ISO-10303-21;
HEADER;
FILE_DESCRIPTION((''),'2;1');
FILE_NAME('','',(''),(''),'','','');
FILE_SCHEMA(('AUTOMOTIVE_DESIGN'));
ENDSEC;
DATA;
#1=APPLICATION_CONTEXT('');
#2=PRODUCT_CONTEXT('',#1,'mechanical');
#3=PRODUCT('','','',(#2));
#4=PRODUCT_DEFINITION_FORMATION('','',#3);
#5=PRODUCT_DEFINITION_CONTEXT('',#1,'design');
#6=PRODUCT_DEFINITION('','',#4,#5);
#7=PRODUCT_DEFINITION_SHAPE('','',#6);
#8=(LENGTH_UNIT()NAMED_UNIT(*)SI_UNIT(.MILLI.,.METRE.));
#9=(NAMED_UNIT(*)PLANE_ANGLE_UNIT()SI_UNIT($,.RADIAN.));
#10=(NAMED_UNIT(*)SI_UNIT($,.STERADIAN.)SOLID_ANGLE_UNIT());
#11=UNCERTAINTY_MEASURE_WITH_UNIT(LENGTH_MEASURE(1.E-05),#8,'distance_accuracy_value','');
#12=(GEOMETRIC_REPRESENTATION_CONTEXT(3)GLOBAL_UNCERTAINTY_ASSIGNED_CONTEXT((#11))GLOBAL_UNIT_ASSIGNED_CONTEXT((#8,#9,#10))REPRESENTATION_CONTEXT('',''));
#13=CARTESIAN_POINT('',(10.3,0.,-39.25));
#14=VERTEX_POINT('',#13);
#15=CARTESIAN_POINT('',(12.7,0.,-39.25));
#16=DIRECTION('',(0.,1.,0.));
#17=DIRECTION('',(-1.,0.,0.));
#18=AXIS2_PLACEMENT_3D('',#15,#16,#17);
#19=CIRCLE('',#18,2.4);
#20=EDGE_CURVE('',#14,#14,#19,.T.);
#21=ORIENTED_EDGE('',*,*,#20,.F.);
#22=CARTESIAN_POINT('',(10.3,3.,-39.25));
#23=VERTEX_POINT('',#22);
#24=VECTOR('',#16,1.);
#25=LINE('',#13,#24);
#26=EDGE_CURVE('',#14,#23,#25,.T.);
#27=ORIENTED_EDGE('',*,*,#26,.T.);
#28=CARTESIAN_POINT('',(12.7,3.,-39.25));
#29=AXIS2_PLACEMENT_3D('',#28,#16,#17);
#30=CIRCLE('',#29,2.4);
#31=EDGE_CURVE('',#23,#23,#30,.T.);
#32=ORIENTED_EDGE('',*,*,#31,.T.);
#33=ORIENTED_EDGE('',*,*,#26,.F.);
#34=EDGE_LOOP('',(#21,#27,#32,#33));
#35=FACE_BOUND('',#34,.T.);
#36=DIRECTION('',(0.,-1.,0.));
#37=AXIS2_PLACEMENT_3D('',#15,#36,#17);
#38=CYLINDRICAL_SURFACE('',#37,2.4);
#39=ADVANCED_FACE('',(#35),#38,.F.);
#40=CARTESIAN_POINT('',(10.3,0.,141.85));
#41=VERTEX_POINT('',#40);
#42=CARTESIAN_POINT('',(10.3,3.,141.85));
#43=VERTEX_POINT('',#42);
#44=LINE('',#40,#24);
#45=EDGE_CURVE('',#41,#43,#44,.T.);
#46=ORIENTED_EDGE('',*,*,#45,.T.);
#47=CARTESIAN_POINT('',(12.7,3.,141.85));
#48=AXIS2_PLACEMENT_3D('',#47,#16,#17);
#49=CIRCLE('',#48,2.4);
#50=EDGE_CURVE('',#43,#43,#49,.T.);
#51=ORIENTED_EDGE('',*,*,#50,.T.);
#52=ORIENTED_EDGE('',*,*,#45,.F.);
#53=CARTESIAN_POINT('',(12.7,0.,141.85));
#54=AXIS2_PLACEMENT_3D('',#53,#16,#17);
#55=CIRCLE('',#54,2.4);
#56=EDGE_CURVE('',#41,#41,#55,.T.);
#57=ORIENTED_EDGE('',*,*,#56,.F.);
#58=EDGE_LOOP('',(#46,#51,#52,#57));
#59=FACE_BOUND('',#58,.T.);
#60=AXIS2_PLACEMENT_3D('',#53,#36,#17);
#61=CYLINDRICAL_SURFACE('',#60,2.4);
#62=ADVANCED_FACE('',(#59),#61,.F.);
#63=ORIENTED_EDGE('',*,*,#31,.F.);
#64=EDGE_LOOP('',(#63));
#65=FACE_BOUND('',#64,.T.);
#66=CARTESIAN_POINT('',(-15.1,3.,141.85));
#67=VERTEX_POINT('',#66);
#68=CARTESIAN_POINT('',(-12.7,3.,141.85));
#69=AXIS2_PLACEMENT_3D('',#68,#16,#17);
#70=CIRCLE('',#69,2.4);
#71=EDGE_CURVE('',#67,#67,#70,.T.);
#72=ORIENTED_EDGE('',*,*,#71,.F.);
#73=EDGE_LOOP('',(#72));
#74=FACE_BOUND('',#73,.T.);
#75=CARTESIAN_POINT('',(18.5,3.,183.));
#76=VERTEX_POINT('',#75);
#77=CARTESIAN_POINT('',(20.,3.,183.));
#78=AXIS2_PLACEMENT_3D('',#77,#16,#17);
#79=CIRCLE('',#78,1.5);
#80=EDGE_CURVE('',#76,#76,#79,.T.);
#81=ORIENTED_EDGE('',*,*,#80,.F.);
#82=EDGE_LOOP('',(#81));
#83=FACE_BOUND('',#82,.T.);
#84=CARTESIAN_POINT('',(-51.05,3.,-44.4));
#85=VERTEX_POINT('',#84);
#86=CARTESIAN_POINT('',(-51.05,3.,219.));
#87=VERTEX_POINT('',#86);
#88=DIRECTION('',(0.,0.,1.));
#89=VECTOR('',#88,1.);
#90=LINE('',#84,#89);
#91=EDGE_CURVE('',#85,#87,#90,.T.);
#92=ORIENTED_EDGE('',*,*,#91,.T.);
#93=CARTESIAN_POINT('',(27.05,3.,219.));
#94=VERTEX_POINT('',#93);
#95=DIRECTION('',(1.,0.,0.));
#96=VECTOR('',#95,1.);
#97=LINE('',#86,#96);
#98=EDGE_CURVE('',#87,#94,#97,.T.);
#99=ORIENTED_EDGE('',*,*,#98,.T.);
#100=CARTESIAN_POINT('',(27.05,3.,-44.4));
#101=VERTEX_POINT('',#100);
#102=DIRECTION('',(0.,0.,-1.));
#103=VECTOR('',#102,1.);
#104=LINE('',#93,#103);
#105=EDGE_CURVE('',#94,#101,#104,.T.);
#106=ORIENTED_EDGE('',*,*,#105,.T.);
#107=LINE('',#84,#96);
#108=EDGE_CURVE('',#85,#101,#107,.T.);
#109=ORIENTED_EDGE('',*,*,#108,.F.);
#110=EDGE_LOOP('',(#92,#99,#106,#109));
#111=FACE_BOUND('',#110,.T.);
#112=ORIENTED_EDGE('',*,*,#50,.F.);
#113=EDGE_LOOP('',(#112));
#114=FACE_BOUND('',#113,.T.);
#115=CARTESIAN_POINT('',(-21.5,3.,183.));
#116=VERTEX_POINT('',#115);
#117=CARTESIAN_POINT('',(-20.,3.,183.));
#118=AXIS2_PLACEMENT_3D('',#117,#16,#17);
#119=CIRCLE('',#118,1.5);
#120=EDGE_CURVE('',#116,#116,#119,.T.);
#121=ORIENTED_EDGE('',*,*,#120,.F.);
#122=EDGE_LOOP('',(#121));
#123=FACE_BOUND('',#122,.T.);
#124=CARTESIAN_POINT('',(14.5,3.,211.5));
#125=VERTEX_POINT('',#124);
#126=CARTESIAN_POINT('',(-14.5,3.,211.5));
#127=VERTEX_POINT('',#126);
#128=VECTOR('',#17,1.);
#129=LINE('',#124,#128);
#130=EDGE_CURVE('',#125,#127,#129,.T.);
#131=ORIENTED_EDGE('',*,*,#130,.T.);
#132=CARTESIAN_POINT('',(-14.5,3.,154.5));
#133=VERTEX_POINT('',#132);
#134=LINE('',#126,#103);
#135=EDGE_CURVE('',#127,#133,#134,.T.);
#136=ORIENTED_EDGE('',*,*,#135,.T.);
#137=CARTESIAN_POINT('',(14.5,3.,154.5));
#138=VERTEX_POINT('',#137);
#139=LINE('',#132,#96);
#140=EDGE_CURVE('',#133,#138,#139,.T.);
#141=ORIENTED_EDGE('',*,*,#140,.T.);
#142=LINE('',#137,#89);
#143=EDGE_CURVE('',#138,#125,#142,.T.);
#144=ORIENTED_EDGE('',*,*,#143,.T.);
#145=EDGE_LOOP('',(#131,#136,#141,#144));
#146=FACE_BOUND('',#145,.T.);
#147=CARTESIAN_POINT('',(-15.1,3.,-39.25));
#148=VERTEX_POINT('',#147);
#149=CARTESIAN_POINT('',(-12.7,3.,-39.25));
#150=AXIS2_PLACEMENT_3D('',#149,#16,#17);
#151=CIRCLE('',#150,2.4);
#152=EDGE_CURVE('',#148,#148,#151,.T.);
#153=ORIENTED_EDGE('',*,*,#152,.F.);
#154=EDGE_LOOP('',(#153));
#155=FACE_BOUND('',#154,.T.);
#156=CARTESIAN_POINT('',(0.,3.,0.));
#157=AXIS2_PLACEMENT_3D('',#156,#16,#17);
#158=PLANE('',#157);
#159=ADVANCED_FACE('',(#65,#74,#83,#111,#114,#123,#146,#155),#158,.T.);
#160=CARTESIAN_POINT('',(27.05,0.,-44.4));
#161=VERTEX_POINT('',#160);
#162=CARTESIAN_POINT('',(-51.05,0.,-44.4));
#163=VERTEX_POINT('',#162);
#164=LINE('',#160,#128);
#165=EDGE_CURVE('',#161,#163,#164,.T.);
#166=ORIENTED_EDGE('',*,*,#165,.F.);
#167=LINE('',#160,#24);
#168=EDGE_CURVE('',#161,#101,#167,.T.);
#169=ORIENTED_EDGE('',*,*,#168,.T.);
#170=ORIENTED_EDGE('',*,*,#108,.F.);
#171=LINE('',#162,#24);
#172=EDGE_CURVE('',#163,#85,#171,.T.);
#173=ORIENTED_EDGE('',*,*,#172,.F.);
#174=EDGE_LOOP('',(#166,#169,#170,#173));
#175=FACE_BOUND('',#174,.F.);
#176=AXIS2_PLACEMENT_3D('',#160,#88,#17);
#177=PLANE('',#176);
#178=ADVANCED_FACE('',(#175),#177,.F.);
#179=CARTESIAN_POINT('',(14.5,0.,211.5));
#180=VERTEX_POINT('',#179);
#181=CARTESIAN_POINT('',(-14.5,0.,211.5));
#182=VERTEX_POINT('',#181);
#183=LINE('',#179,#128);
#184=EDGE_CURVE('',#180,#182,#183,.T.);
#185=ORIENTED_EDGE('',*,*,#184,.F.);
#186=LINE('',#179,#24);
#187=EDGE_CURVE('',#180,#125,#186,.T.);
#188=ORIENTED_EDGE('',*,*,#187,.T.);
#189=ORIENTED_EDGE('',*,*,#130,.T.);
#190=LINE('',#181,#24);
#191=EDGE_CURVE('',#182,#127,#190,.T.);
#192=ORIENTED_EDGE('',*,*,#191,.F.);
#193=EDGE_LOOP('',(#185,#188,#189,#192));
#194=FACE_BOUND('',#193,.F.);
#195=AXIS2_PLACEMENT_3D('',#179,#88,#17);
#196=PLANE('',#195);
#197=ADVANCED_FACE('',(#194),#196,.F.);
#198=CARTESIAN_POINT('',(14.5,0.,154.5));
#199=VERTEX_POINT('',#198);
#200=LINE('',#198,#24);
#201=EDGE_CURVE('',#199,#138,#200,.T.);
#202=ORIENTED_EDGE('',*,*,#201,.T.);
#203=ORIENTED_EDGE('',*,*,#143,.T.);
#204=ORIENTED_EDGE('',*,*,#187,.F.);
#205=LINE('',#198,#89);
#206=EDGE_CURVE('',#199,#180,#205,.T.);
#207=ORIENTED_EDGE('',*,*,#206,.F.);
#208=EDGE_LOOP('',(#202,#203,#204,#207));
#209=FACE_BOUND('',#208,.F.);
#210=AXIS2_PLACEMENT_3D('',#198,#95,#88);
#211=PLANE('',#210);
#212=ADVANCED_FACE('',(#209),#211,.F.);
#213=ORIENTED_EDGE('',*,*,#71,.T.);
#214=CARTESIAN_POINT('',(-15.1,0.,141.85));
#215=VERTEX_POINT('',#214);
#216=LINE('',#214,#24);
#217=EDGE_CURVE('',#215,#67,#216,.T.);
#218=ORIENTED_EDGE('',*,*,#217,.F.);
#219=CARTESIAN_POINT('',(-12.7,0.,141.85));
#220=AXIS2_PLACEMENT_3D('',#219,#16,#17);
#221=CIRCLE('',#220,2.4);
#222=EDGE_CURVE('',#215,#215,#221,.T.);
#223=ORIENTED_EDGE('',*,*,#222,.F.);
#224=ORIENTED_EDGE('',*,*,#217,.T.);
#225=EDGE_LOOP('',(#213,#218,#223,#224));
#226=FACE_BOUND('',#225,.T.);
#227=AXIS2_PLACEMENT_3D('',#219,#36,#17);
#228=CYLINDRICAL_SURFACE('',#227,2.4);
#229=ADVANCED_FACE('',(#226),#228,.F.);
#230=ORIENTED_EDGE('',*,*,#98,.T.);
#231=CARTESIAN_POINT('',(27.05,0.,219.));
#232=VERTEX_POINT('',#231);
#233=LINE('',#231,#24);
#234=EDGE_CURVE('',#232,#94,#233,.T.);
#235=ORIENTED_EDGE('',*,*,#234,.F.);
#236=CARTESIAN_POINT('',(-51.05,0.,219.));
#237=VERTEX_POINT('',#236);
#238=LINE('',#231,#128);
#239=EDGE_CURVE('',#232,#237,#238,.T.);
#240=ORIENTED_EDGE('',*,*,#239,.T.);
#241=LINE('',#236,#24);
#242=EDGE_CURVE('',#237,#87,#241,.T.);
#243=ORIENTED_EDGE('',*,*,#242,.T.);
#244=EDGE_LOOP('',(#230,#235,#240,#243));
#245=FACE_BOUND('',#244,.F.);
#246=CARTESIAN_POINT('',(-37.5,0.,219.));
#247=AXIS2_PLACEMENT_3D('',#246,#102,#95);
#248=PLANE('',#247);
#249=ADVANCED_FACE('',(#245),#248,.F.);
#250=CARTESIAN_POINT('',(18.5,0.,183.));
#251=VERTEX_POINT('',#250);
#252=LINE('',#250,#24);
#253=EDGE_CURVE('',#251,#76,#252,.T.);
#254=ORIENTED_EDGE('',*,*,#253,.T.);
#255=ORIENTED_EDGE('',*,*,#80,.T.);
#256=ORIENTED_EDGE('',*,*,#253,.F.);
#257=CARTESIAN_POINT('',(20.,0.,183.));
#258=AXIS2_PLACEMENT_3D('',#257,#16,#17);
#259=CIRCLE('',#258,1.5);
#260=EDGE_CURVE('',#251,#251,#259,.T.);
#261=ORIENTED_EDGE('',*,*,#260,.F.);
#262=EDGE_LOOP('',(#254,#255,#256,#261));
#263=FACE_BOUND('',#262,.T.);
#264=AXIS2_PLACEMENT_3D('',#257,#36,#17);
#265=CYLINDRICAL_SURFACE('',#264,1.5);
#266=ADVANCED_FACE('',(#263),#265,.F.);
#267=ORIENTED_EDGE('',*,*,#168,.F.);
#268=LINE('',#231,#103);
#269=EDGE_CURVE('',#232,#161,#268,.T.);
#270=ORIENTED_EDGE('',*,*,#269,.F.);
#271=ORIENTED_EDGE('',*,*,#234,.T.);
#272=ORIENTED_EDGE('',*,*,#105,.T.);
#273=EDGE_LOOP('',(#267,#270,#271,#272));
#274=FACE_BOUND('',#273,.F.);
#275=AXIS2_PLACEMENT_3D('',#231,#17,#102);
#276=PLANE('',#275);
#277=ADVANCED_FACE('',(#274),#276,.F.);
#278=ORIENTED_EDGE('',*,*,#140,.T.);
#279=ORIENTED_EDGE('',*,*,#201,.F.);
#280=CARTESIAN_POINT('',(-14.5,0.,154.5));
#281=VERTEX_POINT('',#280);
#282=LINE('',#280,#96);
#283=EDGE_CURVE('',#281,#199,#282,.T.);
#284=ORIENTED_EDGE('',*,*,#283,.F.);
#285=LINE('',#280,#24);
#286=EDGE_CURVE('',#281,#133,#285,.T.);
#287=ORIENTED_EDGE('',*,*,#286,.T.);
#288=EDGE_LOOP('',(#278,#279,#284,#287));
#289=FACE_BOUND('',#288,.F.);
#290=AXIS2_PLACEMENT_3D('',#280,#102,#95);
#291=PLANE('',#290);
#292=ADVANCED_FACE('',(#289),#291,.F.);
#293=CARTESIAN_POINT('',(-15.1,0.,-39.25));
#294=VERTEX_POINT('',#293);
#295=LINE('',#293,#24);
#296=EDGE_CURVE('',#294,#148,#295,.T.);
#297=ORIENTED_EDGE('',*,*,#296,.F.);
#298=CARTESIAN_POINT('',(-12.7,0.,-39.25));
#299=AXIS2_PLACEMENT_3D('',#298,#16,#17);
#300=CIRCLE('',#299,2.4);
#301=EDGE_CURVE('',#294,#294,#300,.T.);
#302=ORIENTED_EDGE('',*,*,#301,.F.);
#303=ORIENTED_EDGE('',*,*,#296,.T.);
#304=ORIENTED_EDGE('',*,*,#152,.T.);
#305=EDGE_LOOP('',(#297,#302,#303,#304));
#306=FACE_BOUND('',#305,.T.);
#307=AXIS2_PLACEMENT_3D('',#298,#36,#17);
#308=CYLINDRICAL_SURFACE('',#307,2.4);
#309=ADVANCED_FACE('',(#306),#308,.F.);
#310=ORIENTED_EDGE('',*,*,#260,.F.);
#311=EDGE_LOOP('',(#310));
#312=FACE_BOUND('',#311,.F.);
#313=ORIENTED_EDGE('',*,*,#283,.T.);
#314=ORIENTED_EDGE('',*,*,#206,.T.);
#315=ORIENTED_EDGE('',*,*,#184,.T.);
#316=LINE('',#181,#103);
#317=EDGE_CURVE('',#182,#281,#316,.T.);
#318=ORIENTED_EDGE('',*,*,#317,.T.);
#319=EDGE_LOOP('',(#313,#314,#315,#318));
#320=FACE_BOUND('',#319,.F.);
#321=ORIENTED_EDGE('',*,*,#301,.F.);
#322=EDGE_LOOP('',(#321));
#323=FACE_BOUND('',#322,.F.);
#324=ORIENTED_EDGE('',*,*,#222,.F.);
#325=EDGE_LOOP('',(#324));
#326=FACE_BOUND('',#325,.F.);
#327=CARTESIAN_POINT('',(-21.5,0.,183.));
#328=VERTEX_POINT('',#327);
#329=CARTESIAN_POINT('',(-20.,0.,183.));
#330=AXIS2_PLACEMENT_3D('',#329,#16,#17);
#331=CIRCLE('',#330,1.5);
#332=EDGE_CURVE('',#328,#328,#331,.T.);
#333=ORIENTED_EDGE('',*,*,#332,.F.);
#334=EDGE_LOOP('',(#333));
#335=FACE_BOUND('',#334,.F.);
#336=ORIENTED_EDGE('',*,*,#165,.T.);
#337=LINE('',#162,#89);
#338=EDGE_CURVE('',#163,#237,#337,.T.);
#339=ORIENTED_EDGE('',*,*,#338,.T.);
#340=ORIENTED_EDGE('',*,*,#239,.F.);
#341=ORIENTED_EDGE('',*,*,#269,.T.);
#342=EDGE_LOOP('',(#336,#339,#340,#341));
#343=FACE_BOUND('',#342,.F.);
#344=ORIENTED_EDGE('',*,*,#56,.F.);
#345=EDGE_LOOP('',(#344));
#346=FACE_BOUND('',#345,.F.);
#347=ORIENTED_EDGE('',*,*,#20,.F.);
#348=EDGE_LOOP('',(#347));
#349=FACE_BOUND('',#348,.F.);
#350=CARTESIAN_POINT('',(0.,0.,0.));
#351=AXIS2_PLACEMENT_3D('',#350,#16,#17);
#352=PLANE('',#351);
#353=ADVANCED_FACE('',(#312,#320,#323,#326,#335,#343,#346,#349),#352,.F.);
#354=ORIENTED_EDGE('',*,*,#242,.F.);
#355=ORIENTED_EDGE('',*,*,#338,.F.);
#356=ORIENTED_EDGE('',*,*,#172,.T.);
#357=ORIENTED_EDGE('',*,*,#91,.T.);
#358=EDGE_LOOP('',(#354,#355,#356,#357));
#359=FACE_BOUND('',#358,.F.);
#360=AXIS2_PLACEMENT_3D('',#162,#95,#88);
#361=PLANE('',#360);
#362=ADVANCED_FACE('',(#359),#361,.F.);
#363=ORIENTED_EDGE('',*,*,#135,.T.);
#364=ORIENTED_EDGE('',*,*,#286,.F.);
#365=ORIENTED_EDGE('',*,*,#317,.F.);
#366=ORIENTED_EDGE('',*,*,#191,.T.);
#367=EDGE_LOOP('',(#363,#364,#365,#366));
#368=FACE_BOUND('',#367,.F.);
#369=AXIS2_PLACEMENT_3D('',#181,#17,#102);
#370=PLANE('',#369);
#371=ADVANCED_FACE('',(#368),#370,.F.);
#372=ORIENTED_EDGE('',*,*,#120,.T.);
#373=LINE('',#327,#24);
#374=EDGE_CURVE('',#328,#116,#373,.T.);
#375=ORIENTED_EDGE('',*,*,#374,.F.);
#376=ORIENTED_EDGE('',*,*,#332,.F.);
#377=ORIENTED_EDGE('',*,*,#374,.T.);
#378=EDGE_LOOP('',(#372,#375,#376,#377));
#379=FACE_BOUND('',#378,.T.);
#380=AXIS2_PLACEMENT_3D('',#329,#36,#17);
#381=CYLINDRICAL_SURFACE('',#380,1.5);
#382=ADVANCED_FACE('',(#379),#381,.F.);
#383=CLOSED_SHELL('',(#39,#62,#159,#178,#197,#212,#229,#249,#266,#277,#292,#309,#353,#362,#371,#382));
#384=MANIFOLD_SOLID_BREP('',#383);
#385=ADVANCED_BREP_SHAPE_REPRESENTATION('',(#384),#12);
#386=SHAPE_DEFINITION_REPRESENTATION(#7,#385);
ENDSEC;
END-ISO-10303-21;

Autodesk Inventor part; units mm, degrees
ref_plane "YZ Plane" through (0, 0, 0) normal (1, 0, 0) x (0, 1, 0)
ref_plane "XZ Plane" through (0, 0, 0) normal (0, 1, 0) x (-1, 0, 0)
ref_plane "XY Plane" through (0, 0, 0) normal (0, 0, 1) x (1, 0, 0)
sketch "Sketch1" plane through (0, 0, 0) normal (0, 1, 0) x (-1, 0, 0)
  line L0 (37.5, -225) -> (-37.5, -225)
  line L1 (-37.5, -225) -> (-37.5, 225)
  line L2 (-37.5, 225) -> (37.5, 225)
  line L3 (37.5, 225) -> (37.5, -225)
  line L4 (673.3706, 0) -> (-691.4675, 0) construction
  line L5 (0, 481.6336) -> (0, -423.6346) construction
  line L6 (31.5, -219) -> (-31.5, -219) construction
  line L7 (-31.5, -219) -> (-31.5, 219) construction
  line L8 (-31.5, 219) -> (31.5, 219) construction
  line L9 (31.5, 219) -> (31.5, -219) construction
  line L10 (34.5, -222) -> (-34.5, -222) construction
  line L11 (-34.5, -222) -> (-34.5, 222) construction
  line L12 (-34.5, 222) -> (34.5, 222) construction
  line L13 (34.5, 222) -> (34.5, -222) construction
  line L14 (14.5, 154.5) -> (-14.5, 154.5)
  line L15 (-14.5, 154.5) -> (-14.5, 211.5)
  line L16 (-14.5, 211.5) -> (14.5, 211.5)
  line L17 (14.5, 211.5) -> (14.5, 154.5)
  line L18 (50.1754, 183) -> (-68.7918, 183) construction
  circle A0 centre (20, 183) radius 1.5
  line L19 (0, 153.4917) -> (0, 241.4122) construction
  circle A1 centre (-20, 183) radius 1.5
  line L20 (25, 150) -> (-25, 150) construction
  line L21 (-25, 150) -> (-25, 216) construction
  line L22 (-25, 216) -> (25, 216) construction
  line L23 (25, 216) -> (25, 150) construction
  line L24 (27.05, 147) -> (-27.05, 147) construction
  line L25 (-27.05, 147) -> (-27.05, -44.4) construction
  line L26 (-27.05, -44.4) -> (27.05, -44.4) construction
  line L27 (27.05, -44.4) -> (27.05, 147) construction
  line L28 (-44.1096, 51.3) -> (44.1096, 51.3) construction
  line L29 (0, 385.9466) -> (0, -283.3466) construction
  circle A2 centre (12.7, -39.25) radius 2.4
  circle A3 centre (-12.7, -39.25) radius 2.4
  circle A4 centre (12.7, 141.85) radius 2.4
  circle A5 centre (-12.7, 141.85) radius 2.4
  line L30 (12.7, 141.85) -> (-12.7, 141.85) construction
  line L31 (-12.7, 141.85) -> (-12.7, -39.25) construction
  line L32 (-12.7, -39.25) -> (12.7, -39.25) construction
  line L33 (12.7, -39.25) -> (12.7, 141.85) construction
  line L34 (30, -47.4) -> (-30, -47.4) construction
  line L35 (-30, -47.4) -> (-30, -137.4) construction
  line L36 (-30, -137.4) -> (30, -137.4) construction
  line L37 (30, -137.4) -> (30, -47.4) construction
  circle A6 centre (12.7, -92.4) radius 2.4
  line L38 (34.7323, -92.4) -> (-30, -92.4) construction
  line L39 (0, -47.4) -> (0, -137.4) construction
  circle A7 centre (-12.7, -92.4) radius 2.4
  line L40 (51.05, 219) -> (-27.05, 219)
  line L41 (-27.05, 219) -> (-27.05, -44.4)
  line L42 (-27.05, -44.4) -> (51.05, -44.4)
  line L43 (51.05, -44.4) -> (51.05, 219)
  point P0 (0, 0)
  point P1 (-37.5, 0)
  point P2 (0, 225)
  point P3 (0, 154.5)
  point P4 (-14.5, 183)
  point P5 (-25, 183)
  point P6 (0, 216)
  point P7 (27.05, 51.3)
  point P8 (0, -44.4)
  point P9 (12.7, 51.3)
  point P10 (0, -39.25)
  point P11 (0, 51.3)
  point P12 (0, 51.3)
  point P13 (30, -92.4)
  dimension "d0" = 75
  dimension "d1" = 450
  dimension "d2" = 6
  dimension "d3" = 6
  dimension "d4" = 6
  dimension "d5" = 6
  dimension "d6" = 3
  dimension "d7" = 3
  dimension "d8" = 3
  dimension "d9" = 3
  dimension "d10" = 29
  dimension "d11" = 57
  dimension "d12" = 3
  dimension "d13" = 3
  dimension "d14" = 20
  dimension "d15" = 20
  dimension "d16" = 50
  dimension "d17" = 66
  dimension "d18" = 3
  dimension "d19" = 191.4
  dimension "d20" = 54.1
  dimension "d21" = 4.8
  dimension "d22" = 4.8
  dimension "d23" = 4.8
  dimension "d24" = 4.8
  dimension "d25" = 181.1
  dimension "d26" = 25.4
  dimension "d27" = 3
  dimension "d28" = 60
  dimension "d29" = 90
  dimension "d30" = 4.8
  dimension "d31" = 4.8
  dimension "d32" = 12.7
  dimension "d33" = 12.7
  dimension "d34" = 3
  dimension "d35" = 24
extrude "Extrusion1" add sketch "Sketch1" along normal blind 3 contours L42 L41 L40 L3 | L3 L40 L43 L42 | L14 L15 L16 L17 | A0 | A1 | A2 | A3 | A4 | A5
extrude "Extrusion2" cut sketch "Sketch1" along normal blind 3 contours L14 L15 L16 L17 | A0 | A1 | A2 | A3 | A4 | A5
properties part number "MoreFunComing-EnlosureEquipmentPanel"
